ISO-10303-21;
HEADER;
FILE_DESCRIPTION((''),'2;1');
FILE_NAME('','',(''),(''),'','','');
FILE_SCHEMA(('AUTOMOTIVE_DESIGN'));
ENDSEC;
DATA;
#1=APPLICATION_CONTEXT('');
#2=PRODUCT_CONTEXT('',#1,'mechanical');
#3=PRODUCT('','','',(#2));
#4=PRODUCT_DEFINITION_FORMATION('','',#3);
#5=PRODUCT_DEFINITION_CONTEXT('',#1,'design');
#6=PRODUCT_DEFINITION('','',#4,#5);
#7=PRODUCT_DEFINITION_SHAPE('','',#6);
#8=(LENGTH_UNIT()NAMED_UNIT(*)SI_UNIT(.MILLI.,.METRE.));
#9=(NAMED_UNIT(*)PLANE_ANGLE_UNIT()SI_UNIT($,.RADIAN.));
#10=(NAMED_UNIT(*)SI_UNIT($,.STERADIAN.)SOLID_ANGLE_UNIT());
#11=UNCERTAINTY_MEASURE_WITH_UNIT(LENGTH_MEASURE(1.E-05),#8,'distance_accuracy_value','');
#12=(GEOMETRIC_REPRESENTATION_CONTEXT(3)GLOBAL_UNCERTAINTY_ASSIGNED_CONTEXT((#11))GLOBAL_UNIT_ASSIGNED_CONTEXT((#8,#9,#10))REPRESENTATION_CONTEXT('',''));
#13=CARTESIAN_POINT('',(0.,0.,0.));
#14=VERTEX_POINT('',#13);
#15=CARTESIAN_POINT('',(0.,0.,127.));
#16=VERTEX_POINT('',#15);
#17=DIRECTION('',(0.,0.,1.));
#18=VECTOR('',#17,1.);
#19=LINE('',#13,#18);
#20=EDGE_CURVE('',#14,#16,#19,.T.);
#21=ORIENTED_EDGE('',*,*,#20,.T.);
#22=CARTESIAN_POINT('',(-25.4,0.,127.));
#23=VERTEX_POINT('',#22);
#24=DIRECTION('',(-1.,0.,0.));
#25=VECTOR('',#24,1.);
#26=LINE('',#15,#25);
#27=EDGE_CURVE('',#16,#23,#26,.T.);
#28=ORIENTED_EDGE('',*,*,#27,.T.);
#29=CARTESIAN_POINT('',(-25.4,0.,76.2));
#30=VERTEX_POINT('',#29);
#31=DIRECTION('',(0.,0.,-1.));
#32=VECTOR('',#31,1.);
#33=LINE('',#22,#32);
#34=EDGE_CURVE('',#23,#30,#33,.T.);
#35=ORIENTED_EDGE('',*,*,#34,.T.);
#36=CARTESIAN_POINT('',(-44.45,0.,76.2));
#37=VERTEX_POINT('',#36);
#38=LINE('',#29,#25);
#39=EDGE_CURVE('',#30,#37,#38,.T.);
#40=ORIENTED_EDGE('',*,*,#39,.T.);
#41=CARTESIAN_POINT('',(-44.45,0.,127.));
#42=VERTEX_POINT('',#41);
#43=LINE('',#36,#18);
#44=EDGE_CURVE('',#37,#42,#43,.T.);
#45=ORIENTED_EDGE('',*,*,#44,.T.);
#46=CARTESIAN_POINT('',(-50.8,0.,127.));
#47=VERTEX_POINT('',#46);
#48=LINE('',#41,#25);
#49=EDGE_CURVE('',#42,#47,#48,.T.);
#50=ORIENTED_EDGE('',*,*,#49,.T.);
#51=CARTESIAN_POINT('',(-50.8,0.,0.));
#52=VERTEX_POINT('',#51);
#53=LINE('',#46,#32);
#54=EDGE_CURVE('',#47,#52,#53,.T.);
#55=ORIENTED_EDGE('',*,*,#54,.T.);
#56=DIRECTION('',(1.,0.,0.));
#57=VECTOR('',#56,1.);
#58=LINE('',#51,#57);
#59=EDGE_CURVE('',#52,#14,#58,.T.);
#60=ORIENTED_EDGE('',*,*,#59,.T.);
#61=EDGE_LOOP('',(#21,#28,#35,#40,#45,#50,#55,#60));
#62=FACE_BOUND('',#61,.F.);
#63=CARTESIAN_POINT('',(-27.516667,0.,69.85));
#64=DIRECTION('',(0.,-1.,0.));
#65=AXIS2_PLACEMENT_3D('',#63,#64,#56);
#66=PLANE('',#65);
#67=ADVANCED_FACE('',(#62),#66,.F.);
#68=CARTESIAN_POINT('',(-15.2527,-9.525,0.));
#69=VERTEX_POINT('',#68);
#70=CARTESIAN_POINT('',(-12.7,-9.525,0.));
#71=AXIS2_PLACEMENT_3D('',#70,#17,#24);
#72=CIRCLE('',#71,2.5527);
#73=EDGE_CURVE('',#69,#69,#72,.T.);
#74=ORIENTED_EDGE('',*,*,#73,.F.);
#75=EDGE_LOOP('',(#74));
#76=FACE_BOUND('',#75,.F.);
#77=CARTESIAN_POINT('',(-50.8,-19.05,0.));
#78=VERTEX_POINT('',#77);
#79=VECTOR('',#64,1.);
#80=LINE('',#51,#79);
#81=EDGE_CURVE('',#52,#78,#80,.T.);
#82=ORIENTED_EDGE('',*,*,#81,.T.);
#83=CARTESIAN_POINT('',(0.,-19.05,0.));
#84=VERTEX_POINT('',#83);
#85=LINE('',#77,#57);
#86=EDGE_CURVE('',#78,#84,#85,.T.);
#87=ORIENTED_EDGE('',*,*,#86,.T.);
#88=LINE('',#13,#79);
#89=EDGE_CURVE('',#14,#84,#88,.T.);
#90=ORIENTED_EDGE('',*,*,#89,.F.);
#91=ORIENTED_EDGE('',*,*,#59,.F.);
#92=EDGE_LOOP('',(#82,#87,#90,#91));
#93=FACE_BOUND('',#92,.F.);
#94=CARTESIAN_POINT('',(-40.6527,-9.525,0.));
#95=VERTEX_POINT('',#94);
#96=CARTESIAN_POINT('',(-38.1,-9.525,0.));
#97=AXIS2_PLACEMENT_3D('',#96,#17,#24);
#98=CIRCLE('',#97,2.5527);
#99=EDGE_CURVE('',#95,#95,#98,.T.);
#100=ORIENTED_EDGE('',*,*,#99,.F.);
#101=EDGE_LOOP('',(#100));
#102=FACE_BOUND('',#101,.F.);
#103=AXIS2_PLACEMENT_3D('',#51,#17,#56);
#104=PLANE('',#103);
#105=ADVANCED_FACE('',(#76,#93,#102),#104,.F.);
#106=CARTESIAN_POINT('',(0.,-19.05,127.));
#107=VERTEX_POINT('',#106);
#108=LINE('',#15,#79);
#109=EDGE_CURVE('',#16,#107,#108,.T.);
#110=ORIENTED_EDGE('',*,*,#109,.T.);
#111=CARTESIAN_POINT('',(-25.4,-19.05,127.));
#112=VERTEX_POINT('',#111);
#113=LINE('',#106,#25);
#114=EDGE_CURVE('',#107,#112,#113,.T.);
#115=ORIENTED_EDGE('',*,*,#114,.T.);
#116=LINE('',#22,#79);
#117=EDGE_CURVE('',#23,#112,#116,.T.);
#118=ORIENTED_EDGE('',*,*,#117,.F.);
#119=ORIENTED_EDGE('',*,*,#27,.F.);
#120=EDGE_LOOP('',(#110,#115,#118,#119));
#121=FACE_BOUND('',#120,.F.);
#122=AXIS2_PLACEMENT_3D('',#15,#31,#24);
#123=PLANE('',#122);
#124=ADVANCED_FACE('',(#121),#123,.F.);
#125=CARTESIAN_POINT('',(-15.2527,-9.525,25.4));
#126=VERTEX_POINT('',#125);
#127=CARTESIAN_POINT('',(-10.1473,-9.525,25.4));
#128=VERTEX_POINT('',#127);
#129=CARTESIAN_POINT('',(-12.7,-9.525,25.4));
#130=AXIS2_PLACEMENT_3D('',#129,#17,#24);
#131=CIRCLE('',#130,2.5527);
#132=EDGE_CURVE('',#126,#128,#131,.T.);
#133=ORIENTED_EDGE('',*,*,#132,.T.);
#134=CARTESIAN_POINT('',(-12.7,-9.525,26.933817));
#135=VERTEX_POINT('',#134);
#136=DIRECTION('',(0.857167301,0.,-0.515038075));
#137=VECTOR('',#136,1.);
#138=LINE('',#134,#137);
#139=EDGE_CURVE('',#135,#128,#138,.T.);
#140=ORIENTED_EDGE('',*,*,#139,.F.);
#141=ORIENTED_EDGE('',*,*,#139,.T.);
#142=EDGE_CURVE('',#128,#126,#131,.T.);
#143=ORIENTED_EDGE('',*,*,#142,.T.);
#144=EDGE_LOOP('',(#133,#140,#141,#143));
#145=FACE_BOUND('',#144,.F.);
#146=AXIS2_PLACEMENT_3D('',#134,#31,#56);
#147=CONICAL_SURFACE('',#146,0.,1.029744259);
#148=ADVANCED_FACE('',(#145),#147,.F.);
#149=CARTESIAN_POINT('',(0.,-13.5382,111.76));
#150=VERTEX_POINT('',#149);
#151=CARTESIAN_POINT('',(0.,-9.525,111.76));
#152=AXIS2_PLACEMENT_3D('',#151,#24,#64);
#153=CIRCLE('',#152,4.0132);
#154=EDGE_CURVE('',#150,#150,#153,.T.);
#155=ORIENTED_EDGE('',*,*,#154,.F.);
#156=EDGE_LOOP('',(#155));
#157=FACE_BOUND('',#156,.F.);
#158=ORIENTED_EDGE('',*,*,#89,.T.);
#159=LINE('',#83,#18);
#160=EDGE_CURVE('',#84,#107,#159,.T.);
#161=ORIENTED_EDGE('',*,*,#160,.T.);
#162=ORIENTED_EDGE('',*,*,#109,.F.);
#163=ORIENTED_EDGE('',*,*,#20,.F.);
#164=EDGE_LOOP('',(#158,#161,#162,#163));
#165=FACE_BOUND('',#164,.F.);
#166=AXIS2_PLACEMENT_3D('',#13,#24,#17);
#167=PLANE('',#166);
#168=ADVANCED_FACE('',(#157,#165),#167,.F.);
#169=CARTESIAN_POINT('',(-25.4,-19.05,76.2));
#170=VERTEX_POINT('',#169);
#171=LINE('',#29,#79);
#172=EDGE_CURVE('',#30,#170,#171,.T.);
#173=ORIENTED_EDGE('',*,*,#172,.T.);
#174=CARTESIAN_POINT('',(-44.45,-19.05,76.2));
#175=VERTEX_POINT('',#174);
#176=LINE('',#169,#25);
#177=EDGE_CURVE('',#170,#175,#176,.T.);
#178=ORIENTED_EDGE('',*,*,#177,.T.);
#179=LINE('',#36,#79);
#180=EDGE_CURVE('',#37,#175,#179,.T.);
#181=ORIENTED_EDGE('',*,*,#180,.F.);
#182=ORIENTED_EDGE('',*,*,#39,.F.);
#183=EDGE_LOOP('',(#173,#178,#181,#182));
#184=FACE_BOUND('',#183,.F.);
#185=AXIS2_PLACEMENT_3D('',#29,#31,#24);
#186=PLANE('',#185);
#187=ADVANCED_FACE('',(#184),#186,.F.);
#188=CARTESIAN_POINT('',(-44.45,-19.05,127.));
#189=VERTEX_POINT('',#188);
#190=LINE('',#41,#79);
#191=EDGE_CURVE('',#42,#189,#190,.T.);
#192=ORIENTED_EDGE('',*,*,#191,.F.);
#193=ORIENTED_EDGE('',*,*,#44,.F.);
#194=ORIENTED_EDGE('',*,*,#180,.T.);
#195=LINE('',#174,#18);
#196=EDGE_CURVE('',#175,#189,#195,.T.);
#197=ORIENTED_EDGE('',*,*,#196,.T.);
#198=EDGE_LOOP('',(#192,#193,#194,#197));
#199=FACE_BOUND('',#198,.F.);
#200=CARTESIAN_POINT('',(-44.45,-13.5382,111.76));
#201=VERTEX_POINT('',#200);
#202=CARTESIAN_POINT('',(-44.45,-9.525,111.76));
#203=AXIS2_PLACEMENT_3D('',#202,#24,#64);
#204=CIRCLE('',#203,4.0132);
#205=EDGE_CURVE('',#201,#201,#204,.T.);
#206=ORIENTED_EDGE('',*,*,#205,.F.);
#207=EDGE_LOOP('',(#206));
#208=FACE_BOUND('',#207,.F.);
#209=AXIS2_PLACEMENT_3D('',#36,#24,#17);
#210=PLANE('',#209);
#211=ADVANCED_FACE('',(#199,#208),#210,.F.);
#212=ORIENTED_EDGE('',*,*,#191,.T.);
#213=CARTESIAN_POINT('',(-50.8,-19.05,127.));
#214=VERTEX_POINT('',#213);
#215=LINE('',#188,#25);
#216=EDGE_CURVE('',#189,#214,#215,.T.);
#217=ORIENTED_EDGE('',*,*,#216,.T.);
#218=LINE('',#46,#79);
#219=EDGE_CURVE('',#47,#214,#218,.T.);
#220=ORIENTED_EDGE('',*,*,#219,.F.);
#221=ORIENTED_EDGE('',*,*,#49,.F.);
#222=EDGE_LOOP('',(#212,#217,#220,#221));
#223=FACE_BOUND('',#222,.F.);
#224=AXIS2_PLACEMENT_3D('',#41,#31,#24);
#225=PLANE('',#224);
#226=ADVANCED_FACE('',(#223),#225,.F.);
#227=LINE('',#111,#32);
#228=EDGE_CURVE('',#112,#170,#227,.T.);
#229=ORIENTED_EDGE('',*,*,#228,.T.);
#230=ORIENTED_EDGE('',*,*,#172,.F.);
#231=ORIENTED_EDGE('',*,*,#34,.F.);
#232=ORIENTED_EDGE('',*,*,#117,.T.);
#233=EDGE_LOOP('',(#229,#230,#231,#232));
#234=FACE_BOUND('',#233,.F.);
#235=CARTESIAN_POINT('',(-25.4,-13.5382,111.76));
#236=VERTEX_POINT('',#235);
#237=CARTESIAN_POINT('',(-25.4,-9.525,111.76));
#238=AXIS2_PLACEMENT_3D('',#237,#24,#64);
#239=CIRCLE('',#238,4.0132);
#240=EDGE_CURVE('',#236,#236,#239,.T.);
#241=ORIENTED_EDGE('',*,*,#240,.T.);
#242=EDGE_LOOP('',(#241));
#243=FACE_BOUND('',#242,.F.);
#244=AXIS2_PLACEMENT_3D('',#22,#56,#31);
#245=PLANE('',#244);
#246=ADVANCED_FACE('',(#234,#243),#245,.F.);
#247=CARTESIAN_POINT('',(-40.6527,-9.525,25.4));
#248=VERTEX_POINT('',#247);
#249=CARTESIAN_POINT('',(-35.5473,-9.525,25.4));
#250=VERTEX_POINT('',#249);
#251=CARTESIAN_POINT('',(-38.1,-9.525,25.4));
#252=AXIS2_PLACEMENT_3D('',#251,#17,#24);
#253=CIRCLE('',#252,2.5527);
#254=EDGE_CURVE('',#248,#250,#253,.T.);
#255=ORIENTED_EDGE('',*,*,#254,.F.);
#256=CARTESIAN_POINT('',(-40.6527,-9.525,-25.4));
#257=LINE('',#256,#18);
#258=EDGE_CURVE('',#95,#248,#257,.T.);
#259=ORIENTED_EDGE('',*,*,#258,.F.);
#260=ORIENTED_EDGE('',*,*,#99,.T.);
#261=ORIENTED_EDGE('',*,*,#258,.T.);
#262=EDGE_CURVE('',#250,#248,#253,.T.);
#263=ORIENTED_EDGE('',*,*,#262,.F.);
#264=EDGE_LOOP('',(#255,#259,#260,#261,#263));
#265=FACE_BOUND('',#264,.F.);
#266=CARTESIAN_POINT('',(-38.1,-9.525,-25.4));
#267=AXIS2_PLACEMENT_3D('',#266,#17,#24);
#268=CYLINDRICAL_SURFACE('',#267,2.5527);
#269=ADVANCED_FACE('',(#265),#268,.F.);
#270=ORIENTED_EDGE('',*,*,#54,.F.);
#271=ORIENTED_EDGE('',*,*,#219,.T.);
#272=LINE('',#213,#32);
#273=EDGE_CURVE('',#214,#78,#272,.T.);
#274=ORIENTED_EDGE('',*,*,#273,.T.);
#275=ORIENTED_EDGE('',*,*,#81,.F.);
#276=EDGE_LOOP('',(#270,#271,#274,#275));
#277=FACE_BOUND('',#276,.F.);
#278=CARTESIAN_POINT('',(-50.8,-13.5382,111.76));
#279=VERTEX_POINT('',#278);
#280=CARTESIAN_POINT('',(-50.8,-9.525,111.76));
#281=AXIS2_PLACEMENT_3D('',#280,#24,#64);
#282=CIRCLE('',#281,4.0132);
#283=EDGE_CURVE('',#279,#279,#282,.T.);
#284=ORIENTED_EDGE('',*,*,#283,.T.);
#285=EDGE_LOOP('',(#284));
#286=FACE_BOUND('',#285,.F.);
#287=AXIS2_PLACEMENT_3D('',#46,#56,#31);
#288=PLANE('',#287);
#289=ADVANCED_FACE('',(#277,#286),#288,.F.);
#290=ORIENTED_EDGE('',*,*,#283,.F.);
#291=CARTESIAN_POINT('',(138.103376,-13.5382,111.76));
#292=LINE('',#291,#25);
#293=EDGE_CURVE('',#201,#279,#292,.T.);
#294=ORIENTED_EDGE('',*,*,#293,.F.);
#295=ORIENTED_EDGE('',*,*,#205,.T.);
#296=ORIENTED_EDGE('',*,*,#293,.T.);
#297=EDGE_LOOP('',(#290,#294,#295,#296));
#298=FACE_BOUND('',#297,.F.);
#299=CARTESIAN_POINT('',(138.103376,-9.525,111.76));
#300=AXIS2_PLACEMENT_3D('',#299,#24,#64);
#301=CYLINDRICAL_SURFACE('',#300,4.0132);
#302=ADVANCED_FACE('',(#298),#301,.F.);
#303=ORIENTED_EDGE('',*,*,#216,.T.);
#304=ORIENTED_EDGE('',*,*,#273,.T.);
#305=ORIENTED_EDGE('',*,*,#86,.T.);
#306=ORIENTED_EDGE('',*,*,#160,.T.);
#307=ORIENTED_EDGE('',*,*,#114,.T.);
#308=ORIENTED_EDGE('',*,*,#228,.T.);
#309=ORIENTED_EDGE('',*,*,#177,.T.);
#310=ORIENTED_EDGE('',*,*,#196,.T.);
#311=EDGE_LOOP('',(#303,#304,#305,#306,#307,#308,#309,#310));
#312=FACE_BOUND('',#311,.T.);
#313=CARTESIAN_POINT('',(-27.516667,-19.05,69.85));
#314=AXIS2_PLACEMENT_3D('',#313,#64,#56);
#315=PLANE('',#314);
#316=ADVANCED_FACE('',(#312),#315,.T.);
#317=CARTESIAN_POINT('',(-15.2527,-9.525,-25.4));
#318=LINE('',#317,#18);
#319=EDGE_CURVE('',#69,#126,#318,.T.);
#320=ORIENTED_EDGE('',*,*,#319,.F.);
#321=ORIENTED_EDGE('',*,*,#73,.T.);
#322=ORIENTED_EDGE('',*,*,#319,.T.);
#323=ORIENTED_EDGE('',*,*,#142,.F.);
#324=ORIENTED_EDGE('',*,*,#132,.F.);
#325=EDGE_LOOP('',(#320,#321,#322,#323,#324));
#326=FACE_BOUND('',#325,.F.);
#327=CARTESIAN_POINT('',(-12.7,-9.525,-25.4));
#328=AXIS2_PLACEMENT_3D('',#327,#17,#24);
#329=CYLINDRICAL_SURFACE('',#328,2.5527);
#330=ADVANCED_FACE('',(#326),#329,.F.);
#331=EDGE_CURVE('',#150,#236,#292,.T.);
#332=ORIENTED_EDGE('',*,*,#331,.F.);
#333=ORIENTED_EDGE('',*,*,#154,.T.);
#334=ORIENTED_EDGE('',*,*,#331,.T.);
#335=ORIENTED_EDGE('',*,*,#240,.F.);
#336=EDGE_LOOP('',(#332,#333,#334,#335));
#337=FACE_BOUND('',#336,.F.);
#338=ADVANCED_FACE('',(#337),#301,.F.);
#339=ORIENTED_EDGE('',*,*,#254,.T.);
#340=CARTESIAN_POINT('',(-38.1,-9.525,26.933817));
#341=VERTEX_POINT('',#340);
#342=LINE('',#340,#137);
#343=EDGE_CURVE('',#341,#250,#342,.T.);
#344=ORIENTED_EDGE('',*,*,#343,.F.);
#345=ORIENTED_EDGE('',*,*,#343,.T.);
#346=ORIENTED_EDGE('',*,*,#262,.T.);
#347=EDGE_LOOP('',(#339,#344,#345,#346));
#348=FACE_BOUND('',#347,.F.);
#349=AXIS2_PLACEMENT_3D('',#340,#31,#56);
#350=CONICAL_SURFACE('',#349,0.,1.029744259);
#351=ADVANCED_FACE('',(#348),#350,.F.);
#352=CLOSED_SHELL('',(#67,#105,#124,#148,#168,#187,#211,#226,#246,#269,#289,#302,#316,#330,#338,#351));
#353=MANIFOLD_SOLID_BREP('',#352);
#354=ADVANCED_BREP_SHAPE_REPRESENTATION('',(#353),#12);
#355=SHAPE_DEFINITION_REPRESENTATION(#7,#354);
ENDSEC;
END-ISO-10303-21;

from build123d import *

# Parameters (mm, degrees)
F1_DEPTH = 19.05
F3_D     = 8.0264
F5_D     = 5.1054
F5_DEPTH = 25.4
F5_TIP   = 1.5338169022


with BuildPart() as f1:
    # F0 (on Front) → F1 (new body)
    with BuildSketch(Plane.XZ):
        Polygon((-50.8, 0), (0, 0), (0, 127), (-25.4, 127), (-25.4, 76.2), (-44.45, 76.2), (-44.45, 127), (-50.8, 127), align=None)
    extrude(amount=F1_DEPTH)

    # F3 (through all)
    with Locations(Plane.YZ):
        with Locations((-9.525, 111.76)):
            Hole(F3_D / 2)

    # F5
    with Locations(Plane(origin=(0, 0, 0), x_dir=(1, 0, 0), z_dir=(0, 0, -1))):
        with Locations((-38.1, 9.525), (-12.7, 9.525)):
            Hole(F5_D / 2, depth=F5_DEPTH)
            with Locations((0, 0, -(F5_DEPTH + F5_TIP / 2))):  # 118° drill point
                Cone(0, F5_D / 2, F5_TIP, mode=Mode.SUBTRACT)


solid = f1.part
